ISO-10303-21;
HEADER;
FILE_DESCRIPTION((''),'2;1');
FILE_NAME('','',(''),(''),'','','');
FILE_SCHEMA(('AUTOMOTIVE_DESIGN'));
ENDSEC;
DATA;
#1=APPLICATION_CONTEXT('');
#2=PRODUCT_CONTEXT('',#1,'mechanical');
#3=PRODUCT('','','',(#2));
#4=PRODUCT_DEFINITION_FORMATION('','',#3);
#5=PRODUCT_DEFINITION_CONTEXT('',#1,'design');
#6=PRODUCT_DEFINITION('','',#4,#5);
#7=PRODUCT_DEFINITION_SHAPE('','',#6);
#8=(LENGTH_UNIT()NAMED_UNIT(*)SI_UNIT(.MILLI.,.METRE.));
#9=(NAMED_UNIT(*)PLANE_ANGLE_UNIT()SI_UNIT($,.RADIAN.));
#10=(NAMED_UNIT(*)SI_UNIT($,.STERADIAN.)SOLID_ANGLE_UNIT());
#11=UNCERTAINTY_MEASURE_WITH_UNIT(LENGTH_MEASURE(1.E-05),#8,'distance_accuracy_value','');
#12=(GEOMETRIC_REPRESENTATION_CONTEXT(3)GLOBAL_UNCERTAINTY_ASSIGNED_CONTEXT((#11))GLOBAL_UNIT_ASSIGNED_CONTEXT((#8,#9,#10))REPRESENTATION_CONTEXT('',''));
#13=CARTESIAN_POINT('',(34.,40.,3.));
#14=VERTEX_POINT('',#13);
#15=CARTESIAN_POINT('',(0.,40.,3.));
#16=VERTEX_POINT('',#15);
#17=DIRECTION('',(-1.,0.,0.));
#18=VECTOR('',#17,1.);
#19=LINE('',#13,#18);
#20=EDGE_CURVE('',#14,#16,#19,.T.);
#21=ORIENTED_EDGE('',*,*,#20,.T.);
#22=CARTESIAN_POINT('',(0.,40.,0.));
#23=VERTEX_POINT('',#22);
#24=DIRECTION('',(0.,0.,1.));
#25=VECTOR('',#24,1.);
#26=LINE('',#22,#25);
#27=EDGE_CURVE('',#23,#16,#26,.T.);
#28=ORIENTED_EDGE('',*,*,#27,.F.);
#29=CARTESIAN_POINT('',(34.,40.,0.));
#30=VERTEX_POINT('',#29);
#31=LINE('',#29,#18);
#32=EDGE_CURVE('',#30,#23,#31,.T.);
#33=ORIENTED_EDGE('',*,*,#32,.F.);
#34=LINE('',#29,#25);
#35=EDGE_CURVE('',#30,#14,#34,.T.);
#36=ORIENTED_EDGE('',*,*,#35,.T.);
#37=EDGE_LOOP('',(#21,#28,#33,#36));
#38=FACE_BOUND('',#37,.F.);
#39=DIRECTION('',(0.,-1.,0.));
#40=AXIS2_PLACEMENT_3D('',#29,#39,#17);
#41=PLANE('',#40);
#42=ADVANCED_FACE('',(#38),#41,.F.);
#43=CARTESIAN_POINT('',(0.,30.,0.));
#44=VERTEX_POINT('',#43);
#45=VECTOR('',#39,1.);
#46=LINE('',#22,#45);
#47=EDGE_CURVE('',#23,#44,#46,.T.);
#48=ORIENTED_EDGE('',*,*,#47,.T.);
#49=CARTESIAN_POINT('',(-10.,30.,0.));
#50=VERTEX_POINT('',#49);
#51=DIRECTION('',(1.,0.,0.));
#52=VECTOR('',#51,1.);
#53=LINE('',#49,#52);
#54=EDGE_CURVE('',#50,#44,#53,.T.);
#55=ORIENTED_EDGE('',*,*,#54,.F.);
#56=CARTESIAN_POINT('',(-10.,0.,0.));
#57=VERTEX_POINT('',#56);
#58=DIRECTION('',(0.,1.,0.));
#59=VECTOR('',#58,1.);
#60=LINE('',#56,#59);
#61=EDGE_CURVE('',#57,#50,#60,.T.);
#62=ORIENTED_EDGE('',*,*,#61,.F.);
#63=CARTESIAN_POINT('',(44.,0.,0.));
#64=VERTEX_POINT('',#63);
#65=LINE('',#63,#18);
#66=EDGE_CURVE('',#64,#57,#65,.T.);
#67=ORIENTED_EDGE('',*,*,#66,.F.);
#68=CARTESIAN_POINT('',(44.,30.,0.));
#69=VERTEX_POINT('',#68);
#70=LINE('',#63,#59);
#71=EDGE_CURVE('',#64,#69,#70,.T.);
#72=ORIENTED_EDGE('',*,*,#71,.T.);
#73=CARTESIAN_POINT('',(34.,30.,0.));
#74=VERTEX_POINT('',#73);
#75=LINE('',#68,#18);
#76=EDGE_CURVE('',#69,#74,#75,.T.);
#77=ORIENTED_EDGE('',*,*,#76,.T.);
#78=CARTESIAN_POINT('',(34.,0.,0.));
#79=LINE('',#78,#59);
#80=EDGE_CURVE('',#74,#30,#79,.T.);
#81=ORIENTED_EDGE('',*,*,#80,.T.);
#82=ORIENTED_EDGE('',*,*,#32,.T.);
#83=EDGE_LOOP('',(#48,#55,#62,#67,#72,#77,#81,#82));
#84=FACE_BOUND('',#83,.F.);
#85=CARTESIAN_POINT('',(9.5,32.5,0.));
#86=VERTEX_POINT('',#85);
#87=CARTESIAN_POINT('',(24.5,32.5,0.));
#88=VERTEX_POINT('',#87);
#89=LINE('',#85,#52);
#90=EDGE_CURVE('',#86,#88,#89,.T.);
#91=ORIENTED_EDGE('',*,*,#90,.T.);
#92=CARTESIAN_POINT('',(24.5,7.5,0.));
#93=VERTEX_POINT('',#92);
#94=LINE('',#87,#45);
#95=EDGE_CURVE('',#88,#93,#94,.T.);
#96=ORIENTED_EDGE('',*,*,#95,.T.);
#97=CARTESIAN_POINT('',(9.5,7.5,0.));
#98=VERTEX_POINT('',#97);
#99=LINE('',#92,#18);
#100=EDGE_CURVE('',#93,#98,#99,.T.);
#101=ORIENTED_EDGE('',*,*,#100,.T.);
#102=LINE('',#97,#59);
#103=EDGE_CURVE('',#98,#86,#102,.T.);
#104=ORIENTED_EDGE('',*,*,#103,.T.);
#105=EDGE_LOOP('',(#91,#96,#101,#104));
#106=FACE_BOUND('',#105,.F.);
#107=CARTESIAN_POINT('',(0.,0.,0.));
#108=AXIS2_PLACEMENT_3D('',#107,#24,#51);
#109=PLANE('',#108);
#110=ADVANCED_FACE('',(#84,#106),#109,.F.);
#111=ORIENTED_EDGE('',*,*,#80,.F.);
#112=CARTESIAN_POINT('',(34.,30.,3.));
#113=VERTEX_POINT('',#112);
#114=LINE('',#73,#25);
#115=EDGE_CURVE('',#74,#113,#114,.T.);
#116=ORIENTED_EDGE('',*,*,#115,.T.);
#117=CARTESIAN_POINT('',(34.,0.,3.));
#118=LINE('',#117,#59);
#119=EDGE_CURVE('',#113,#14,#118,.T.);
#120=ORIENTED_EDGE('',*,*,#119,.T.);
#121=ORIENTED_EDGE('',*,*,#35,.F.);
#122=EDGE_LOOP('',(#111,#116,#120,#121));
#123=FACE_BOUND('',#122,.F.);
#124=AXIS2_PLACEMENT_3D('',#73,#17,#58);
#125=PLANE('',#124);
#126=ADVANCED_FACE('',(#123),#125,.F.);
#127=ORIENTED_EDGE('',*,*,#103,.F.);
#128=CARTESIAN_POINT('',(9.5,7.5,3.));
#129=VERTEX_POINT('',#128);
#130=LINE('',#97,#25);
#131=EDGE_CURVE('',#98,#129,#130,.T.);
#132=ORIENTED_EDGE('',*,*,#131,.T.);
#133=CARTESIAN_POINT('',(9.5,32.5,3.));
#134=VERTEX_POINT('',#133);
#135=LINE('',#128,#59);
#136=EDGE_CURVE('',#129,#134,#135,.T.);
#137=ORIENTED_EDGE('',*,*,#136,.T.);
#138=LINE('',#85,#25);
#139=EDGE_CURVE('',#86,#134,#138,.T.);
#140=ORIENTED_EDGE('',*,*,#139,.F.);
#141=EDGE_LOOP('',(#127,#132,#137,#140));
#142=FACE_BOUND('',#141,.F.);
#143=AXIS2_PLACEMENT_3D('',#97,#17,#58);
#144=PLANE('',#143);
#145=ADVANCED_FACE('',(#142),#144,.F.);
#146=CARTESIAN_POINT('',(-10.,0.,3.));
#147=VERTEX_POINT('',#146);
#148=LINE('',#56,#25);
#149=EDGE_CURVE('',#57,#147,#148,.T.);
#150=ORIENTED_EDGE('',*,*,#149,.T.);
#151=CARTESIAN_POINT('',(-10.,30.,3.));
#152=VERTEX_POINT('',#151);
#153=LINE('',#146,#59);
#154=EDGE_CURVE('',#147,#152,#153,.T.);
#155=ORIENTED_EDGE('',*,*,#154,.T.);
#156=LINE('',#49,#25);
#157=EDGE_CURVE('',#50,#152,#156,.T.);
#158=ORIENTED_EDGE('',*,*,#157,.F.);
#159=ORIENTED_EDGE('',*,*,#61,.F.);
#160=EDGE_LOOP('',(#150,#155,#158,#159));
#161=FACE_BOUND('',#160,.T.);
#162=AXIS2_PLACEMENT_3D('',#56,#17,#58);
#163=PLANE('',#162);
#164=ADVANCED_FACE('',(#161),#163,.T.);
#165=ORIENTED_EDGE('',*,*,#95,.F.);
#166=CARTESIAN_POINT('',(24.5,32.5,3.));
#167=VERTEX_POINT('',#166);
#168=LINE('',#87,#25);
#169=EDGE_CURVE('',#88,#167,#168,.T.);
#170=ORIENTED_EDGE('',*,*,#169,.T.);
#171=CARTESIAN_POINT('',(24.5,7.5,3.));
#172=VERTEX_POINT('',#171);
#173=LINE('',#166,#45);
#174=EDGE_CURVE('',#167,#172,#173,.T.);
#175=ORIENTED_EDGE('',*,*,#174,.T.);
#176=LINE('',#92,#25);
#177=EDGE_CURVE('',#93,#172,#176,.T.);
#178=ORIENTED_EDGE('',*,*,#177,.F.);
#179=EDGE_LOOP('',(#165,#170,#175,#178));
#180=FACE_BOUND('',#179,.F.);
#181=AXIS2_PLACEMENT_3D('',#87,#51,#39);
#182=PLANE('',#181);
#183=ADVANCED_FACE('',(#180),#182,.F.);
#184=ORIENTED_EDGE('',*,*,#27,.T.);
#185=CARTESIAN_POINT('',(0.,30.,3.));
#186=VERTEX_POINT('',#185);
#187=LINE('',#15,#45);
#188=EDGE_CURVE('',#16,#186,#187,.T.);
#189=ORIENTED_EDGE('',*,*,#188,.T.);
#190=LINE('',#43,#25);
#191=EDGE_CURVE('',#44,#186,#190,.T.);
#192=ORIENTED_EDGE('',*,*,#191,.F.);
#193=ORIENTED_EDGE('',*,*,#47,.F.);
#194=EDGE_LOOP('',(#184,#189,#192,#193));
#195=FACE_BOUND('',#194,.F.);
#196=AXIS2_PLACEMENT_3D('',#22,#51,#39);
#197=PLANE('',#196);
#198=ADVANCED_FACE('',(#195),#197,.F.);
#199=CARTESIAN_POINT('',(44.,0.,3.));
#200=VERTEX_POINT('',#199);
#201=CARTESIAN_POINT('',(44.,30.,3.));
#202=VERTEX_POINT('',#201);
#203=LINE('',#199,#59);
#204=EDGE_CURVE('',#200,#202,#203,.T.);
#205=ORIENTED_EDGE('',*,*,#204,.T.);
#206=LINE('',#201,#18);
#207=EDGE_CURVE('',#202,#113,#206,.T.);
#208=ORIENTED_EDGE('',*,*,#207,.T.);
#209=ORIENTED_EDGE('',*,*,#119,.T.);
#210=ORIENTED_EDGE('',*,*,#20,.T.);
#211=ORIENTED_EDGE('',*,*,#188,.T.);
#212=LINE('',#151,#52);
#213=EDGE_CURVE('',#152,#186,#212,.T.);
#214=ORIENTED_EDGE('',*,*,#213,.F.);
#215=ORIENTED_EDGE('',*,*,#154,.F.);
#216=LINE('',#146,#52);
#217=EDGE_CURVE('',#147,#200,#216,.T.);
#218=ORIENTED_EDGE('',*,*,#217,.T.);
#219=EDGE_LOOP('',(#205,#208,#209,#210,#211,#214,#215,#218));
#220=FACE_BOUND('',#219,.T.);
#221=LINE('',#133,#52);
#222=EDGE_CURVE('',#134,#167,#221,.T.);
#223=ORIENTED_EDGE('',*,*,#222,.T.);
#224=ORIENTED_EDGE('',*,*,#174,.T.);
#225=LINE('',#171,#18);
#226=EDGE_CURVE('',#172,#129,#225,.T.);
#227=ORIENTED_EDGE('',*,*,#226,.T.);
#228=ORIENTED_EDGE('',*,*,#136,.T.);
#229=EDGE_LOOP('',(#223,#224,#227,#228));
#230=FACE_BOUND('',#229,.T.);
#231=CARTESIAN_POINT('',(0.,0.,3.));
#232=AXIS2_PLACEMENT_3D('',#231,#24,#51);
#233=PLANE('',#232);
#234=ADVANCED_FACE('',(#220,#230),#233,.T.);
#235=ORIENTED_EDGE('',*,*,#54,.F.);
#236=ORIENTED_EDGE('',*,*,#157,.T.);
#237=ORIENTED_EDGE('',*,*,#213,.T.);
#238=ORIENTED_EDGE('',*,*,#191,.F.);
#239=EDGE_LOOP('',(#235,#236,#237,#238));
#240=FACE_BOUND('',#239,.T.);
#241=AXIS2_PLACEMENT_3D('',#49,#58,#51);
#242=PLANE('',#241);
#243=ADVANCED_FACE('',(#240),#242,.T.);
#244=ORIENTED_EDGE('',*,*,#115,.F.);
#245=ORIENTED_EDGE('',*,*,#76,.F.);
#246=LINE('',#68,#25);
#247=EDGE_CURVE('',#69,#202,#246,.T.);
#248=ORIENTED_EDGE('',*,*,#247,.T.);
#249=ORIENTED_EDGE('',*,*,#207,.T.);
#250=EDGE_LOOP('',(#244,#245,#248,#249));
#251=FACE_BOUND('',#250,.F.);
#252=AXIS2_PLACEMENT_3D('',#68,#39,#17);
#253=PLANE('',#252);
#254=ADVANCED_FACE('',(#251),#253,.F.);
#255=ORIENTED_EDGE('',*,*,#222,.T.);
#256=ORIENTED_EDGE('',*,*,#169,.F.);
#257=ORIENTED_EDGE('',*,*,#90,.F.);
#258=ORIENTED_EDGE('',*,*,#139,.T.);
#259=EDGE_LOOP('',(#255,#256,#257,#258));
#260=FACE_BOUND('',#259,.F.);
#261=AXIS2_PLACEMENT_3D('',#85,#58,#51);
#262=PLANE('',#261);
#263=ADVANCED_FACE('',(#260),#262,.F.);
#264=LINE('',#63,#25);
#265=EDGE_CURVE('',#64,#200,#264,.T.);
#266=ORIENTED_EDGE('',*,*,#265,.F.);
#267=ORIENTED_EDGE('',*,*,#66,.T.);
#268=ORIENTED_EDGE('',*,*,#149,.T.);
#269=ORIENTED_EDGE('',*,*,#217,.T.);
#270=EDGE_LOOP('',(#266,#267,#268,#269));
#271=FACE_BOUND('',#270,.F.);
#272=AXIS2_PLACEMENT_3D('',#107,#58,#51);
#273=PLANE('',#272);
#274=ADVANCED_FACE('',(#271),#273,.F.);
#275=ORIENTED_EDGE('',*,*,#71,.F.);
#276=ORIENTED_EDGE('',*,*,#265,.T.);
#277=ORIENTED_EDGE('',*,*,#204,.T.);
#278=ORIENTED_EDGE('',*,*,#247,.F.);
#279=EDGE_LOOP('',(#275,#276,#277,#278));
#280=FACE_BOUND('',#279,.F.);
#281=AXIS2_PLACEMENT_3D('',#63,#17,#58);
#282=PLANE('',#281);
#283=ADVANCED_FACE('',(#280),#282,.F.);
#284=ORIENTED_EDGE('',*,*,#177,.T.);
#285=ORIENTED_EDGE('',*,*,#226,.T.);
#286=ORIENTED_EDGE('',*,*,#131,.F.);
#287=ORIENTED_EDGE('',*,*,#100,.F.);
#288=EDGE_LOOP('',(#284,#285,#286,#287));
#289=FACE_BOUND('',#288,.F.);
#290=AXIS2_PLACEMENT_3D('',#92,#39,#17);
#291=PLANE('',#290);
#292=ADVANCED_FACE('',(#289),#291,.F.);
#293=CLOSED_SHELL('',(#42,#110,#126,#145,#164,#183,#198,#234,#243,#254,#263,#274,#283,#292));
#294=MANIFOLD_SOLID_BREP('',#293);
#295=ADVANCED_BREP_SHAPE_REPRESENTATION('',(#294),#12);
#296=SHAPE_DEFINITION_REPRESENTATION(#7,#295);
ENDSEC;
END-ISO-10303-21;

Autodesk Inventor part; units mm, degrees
ref_plane "YZ Plane" through (0, 0, 0) normal (1, 0, 0) x (0, 1, 0)
ref_plane "XZ Plane" through (0, 0, 0) normal (0, 1, 0) x (-1, 0, 0)
ref_plane "XY Plane" through (0, 0, 0) normal (0, 0, 1) x (1, 0, 0)
sketch "Sketch1" plane through (0, 0, 0) normal (0, 0, 1) x (1, 0, 0)
  line L0 (0, 0) -> (34, 0)
  line L1 (34, 0) -> (34, 40)
  line L2 (34, 40) -> (0, 40)
  line L3 (0, 40) -> (0, 0)
  line L4 (-10, 30) -> (0, 30)
  line L5 (0, 30) -> (0, 0)
  line L6 (0, 0) -> (-10, 0)
  line L7 (-10, 0) -> (-10, 30)
  line L8 (-10, 30) -> (0, 0) construction
  line L9 (0, 30) -> (-10, 0) construction
  line L10 (44, 30) -> (34, 30)
  line L11 (34, 30) -> (34, 0)
  line L12 (34, 0) -> (44, 0)
  line L13 (44, 0) -> (44, 30)
  line L14 (44, 30) -> (34, 0) construction
  line L15 (34, 30) -> (44, 0) construction
  line L16 (9.5, 32.5) -> (24.5, 32.5)
  line L17 (24.5, 32.5) -> (24.5, 7.5)
  line L18 (24.5, 7.5) -> (9.5, 7.5)
  line L19 (9.5, 7.5) -> (9.5, 32.5)
  line L20 (9.5, 32.5) -> (24.5, 7.5) construction
  line L21 (24.5, 32.5) -> (9.5, 7.5) construction
  point P0 (-5, 15)
  point P1 (39, 15)
  point P2 (0, 20)
  point P3 (0, 15)
  point P4 (34, 30)
  point P5 (0, 30)
  point P6 (17, 20)
  point P7 (17, 40)
  point P8 (34, 20)
  dimension "d0" = 34
  dimension "d1" = 40
  dimension "d2" = 10
  dimension "d3" = 10
  dimension "d4" = 30
  dimension "d5" = 30
  dimension "d8" = 15
  dimension "d9" = 25
extrude "Extrusion1" add sketch "Sketch1" along normal blind 3
properties part number "Frontrail"
